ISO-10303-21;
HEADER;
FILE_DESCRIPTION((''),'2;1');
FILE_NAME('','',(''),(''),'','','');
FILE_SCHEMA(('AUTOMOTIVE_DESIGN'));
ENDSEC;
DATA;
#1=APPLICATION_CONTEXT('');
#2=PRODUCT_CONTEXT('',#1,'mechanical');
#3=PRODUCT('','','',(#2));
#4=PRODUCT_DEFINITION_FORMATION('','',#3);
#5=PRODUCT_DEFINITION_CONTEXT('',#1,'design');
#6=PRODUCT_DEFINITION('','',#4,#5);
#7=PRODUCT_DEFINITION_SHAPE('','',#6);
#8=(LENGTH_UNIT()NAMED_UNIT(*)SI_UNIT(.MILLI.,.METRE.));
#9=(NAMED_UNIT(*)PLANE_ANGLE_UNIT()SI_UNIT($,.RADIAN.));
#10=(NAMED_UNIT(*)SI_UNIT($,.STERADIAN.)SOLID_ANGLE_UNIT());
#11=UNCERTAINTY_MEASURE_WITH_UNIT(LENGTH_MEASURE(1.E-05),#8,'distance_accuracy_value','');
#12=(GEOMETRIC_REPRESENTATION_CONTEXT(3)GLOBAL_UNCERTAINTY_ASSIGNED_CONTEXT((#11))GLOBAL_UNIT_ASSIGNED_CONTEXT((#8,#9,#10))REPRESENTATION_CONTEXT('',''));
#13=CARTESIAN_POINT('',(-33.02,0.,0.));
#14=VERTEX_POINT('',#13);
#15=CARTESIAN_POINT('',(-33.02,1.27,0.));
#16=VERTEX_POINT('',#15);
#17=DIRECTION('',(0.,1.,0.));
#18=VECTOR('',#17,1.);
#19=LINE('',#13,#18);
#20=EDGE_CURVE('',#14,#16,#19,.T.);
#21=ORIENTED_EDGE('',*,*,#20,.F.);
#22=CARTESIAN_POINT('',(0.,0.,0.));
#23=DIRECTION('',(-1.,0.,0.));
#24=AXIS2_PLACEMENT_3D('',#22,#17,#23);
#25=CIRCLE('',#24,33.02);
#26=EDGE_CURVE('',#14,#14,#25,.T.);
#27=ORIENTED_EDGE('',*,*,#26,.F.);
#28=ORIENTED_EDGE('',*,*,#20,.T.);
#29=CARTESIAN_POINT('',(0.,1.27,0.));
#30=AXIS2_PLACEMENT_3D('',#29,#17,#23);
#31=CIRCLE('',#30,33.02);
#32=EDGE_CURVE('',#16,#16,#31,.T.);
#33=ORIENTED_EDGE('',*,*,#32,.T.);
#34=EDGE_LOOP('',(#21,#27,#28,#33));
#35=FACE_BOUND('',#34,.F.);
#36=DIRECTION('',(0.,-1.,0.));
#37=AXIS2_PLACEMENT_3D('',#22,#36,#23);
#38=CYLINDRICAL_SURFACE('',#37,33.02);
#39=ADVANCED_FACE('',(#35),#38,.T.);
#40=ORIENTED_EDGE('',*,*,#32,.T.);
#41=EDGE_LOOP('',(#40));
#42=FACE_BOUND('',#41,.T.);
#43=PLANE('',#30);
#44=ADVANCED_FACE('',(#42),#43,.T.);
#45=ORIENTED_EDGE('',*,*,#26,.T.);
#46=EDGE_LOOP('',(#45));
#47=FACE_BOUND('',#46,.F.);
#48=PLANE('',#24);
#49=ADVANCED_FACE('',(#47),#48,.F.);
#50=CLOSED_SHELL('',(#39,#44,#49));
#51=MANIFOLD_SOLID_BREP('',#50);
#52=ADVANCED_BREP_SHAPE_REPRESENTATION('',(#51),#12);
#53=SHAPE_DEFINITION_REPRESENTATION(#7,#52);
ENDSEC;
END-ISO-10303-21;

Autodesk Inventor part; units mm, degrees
ref_plane "YZ Plane" through (0, 0, 0) normal (1, 0, 0) x (0, 1, 0)
ref_plane "XZ Plane" through (0, 0, 0) normal (0, 1, 0) x (-1, 0, 0)
ref_plane "XY Plane" through (0, 0, 0) normal (0, 0, 1) x (1, 0, 0)
sketch "Sketch1" plane through (0, 0, 0) normal (0, 1, 0) x (-1, 0, 0)
  circle A0 centre (0, 0) radius 33.02
  dimension "d0" = 66.04
extrude "Extrusion1" add sketch "Sketch1" along normal blind 1.27
sketch "Sketch2" plane through (0, 1.27, 0) normal (0, 1, 0) x (1, 0, 0)
  point P0 (0, 0)
properties part number "small encoder wheel noah 2"
